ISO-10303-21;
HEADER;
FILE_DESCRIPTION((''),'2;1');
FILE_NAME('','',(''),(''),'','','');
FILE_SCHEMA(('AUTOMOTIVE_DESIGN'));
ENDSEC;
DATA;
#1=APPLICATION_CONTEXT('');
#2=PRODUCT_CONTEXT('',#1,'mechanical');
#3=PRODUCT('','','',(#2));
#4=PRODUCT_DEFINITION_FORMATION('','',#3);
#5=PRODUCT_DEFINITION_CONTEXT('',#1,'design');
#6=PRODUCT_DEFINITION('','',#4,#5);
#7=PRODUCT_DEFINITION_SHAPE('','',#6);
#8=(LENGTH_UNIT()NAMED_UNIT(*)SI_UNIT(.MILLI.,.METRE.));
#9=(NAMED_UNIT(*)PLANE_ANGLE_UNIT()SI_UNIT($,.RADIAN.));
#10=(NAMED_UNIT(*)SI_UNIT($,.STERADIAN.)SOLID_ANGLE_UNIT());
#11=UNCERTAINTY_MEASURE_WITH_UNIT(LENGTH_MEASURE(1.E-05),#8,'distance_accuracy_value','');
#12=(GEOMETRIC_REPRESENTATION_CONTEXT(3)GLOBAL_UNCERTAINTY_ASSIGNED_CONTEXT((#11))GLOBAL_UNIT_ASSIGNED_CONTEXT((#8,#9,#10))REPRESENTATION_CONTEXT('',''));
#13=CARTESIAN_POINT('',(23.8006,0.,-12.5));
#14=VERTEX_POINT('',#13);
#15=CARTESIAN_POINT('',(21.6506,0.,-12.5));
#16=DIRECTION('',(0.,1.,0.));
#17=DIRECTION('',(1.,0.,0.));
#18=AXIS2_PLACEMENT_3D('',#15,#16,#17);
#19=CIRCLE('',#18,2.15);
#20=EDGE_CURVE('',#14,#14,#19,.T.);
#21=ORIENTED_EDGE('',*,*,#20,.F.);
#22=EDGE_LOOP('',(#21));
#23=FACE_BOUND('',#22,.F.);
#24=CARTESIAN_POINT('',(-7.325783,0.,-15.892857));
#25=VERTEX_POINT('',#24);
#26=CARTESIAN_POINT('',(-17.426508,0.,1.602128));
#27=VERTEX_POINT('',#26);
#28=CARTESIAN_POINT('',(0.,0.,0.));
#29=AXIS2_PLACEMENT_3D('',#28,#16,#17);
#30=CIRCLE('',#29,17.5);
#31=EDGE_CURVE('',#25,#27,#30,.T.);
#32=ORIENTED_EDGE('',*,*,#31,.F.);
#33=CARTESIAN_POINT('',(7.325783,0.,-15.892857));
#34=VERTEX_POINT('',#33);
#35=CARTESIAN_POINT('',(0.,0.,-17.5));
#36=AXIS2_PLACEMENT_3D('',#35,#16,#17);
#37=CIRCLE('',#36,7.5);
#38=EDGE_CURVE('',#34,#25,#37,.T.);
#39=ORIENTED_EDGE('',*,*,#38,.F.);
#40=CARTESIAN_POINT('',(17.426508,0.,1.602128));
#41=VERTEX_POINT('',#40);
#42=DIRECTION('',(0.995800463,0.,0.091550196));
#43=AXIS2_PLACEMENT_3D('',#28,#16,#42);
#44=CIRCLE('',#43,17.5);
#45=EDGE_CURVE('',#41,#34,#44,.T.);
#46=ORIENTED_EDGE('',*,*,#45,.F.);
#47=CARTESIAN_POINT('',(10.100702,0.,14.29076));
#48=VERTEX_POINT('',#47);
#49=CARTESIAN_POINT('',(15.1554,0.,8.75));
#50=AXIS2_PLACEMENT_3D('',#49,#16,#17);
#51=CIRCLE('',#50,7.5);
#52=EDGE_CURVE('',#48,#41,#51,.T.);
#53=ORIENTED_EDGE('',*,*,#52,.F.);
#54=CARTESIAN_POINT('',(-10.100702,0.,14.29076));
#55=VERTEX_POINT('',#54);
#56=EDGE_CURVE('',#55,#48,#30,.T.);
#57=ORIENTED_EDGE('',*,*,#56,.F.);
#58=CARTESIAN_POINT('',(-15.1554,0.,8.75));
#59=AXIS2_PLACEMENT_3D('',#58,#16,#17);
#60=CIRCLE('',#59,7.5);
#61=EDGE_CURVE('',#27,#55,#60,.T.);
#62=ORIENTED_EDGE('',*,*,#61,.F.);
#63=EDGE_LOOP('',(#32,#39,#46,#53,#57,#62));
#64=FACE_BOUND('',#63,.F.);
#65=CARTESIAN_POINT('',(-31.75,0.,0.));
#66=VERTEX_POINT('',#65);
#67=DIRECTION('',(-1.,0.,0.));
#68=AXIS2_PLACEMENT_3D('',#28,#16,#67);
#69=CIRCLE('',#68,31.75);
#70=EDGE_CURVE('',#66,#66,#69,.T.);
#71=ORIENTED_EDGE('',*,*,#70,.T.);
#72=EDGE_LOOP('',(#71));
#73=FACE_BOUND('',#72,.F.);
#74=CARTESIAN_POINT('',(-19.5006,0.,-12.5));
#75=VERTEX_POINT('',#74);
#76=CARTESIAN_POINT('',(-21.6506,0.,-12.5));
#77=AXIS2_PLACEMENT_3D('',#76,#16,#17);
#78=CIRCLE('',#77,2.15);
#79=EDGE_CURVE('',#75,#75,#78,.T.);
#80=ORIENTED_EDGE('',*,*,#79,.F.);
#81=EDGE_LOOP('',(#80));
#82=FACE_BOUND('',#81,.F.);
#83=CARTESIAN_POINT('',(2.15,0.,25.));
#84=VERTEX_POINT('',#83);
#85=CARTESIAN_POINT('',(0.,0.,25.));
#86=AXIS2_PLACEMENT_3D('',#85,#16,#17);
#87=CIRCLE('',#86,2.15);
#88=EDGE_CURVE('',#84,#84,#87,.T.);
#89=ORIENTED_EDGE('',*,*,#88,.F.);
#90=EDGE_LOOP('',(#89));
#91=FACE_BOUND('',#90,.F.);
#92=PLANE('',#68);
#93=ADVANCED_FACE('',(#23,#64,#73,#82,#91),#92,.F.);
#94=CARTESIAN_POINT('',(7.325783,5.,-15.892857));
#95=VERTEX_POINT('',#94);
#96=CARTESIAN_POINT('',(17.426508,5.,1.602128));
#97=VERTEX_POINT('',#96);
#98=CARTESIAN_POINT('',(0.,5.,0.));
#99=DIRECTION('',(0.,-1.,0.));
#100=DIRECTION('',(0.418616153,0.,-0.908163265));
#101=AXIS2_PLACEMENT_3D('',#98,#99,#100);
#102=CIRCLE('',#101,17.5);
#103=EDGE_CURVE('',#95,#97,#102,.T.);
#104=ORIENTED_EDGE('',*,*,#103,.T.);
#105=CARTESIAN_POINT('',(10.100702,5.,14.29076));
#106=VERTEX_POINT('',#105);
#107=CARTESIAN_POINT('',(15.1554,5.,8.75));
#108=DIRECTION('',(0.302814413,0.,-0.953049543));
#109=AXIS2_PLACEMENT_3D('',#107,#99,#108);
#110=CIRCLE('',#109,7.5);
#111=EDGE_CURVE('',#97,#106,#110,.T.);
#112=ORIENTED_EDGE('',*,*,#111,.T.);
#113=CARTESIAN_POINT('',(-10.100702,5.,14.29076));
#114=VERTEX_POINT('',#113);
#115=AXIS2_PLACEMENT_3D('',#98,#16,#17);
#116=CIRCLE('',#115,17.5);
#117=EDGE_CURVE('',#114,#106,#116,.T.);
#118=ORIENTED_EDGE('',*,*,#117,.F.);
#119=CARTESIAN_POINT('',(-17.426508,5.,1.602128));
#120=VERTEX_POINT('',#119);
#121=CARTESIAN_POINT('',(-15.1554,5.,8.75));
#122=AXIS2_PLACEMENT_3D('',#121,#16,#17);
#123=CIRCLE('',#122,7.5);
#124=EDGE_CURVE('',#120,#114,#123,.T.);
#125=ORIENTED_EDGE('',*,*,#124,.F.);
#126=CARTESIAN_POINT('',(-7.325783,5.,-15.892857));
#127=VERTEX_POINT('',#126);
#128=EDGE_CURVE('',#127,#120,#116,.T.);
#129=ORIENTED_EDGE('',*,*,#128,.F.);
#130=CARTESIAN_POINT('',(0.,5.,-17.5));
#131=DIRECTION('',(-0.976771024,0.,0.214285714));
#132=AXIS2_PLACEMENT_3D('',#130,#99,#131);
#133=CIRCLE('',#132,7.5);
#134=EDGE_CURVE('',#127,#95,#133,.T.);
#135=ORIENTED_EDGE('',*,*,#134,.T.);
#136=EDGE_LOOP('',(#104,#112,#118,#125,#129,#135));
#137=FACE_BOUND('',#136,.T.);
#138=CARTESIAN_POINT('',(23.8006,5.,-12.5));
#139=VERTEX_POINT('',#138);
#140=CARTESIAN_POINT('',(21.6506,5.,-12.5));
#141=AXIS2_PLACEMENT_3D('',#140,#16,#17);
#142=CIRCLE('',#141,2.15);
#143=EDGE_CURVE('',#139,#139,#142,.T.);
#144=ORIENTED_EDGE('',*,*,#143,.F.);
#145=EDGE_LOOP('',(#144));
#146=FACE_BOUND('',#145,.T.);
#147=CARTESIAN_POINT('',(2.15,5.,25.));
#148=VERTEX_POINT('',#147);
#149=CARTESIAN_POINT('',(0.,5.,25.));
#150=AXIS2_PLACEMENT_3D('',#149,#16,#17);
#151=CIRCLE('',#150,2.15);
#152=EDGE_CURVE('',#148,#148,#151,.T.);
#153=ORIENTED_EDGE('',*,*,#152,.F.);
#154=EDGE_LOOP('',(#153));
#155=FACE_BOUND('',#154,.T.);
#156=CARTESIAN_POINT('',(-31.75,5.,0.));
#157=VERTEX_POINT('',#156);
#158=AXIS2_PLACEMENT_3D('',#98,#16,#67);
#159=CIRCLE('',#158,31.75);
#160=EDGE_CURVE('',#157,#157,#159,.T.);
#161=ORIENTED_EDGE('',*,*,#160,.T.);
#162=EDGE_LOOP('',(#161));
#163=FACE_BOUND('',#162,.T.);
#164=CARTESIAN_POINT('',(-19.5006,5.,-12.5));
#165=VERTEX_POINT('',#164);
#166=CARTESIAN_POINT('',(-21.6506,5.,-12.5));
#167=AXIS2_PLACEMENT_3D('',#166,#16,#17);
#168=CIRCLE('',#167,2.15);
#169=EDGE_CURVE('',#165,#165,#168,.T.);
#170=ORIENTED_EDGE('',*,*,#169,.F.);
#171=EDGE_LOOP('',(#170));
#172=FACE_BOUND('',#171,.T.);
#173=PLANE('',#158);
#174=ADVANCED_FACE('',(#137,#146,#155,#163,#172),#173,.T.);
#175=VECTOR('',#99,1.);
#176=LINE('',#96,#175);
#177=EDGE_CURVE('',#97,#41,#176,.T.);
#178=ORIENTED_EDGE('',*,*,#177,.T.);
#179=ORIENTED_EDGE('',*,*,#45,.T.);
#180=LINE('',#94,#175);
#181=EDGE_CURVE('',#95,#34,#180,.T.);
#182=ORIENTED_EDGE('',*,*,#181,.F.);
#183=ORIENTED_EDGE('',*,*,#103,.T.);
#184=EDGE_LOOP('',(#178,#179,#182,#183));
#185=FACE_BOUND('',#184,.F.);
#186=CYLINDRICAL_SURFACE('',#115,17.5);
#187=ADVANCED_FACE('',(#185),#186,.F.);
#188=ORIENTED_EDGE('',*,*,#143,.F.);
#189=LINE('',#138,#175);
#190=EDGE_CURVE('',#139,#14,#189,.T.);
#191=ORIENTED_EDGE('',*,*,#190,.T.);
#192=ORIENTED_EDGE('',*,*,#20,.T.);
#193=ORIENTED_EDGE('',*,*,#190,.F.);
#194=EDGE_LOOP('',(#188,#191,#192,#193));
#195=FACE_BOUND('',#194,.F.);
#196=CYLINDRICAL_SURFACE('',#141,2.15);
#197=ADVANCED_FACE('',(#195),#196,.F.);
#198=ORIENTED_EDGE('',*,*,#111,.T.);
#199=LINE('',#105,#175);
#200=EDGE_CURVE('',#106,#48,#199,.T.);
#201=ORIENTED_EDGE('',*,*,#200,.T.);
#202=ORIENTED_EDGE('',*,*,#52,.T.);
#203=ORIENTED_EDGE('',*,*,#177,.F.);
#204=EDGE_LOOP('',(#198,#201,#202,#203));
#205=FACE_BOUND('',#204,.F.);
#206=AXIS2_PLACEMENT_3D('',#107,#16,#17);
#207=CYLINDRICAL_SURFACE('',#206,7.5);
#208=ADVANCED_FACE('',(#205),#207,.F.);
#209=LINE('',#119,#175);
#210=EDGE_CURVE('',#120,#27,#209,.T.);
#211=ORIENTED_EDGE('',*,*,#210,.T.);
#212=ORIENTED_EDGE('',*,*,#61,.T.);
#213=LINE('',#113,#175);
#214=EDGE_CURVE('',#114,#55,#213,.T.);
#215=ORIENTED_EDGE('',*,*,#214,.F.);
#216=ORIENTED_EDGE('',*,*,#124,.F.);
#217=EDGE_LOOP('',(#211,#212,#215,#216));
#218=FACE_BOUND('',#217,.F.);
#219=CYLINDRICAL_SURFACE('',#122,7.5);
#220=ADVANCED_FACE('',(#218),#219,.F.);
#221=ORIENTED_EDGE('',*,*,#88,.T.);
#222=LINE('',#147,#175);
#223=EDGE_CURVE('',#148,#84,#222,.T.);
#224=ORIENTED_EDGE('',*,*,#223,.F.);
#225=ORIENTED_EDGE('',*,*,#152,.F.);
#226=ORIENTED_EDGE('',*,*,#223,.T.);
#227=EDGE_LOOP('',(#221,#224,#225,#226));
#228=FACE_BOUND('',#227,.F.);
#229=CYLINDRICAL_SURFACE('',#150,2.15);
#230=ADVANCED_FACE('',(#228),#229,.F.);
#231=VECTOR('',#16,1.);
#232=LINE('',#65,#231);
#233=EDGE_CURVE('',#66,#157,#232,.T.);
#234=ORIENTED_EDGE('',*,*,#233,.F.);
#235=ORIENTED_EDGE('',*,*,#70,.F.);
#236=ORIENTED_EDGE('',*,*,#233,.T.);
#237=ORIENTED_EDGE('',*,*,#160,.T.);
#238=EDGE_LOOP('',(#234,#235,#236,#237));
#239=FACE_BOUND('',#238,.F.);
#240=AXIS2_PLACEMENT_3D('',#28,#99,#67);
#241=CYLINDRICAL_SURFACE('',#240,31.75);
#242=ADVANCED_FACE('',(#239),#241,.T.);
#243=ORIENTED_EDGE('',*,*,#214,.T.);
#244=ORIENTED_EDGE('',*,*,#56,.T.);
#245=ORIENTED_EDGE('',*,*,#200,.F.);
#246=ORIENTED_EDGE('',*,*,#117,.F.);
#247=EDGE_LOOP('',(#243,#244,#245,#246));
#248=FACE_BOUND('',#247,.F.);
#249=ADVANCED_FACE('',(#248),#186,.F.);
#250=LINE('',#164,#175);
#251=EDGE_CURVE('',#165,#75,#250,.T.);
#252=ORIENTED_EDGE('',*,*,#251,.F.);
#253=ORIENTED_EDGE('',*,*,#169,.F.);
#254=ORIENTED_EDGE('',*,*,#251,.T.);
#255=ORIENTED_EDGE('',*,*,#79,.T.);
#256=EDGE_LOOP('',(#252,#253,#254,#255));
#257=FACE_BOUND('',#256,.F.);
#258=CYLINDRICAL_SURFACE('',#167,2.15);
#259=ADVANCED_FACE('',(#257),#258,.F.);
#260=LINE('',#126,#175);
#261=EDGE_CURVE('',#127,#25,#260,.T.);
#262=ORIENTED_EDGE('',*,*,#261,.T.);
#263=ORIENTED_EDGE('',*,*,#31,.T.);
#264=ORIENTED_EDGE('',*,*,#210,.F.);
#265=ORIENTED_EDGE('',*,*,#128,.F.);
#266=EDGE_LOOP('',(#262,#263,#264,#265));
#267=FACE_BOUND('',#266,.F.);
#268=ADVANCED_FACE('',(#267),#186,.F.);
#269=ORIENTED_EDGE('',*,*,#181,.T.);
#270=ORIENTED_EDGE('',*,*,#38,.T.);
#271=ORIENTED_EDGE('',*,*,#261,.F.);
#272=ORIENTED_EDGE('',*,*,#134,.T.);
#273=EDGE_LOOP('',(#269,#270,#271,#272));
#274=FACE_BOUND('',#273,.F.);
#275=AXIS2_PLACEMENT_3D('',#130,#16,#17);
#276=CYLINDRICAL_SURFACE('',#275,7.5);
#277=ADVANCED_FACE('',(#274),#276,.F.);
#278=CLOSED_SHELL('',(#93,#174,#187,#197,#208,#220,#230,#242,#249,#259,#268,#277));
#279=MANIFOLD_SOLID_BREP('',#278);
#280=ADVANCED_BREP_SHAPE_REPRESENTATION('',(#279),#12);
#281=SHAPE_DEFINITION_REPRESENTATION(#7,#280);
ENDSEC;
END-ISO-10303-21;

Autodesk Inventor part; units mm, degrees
ref_plane "YZ Plane" through (0, 0, 0) normal (1, 0, 0) x (0, 1, 0)
ref_plane "XZ Plane" through (0, 0, 0) normal (0, 1, 0) x (-1, 0, 0)
ref_plane "XY Plane" through (0, 0, 0) normal (0, 0, 1) x (1, 0, 0)
sketch "スケッチ1" plane through (0, 0, 0) normal (0, 1, 0) x (-1, 0, 0)
  circle A0 centre (0, 0) radius 31.75
  dimension "d0" = 63.5
extrude "押し出し1" add sketch "スケッチ1" along normal blind 5
sketch "スケッチ4" plane through (0, 5, 0) normal (0, 1, 0) x (1, 0, 0)
  circle A0 centre (0, 0) radius 17.5
  dimension "d9" = 35
extrude "押し出し4" cut sketch "スケッチ4" against normal through all
sketch "スケッチ5" plane through (0, 5, 0) normal (0, 1, 0) x (1, 0, 0)
  circle A0 centre (0, 0) radius 17.5 projected
  circle A1 centre (0, 17.5) radius 7.5
  circle A2 centre (-15.1554, -8.75) radius 7.5
  circle A3 centre (15.1554, -8.75) radius 7.5
  point P0 (7.3258, 15.8929)
  point P1 (-7.3258, 15.8929)
  point P2 (-10.1007, -14.2907)
  point P3 (-17.4265, -1.6021)
  point P4 (10.1007, -14.2907)
  point P5 (17.4265, -1.6021)
  dimension "d12" = 15
  dimension "d30" = 360
extrude "押し出し5" cut sketch "スケッチ5" against normal through all contours A0 A1 | A3 A0 | A0 A2 picked at (-2.636, 19.4451) picked at (15.4225, -12.052) picked at (-18.1566, -7.4199)
sketch "スケッチ6" plane through (0, 5, 0) normal (0, 1, 0) x (1, 0, 0)
  circle A0 centre (0, 0) radius 25 construction
  circle A1 centre (21.6506, 12.5) radius 2.15
  line L0 (0, 0) -> (21.6506, 12.5) construction
  line L1 (0, 0) -> (35.9214, 0) construction
  circle A2 centre (-21.6506, 12.5) radius 2.15
  circle A3 centre (0, -25) radius 2.15
  dimension "d19" = 50
  dimension "d20" = 4.3
  dimension "d21" = 30
  dimension "d24" = 360
extrude "押し出し6" cut sketch "スケッチ6" against normal through all
properties part number "B_probe_bearing" material "PAEK 樹脂"
